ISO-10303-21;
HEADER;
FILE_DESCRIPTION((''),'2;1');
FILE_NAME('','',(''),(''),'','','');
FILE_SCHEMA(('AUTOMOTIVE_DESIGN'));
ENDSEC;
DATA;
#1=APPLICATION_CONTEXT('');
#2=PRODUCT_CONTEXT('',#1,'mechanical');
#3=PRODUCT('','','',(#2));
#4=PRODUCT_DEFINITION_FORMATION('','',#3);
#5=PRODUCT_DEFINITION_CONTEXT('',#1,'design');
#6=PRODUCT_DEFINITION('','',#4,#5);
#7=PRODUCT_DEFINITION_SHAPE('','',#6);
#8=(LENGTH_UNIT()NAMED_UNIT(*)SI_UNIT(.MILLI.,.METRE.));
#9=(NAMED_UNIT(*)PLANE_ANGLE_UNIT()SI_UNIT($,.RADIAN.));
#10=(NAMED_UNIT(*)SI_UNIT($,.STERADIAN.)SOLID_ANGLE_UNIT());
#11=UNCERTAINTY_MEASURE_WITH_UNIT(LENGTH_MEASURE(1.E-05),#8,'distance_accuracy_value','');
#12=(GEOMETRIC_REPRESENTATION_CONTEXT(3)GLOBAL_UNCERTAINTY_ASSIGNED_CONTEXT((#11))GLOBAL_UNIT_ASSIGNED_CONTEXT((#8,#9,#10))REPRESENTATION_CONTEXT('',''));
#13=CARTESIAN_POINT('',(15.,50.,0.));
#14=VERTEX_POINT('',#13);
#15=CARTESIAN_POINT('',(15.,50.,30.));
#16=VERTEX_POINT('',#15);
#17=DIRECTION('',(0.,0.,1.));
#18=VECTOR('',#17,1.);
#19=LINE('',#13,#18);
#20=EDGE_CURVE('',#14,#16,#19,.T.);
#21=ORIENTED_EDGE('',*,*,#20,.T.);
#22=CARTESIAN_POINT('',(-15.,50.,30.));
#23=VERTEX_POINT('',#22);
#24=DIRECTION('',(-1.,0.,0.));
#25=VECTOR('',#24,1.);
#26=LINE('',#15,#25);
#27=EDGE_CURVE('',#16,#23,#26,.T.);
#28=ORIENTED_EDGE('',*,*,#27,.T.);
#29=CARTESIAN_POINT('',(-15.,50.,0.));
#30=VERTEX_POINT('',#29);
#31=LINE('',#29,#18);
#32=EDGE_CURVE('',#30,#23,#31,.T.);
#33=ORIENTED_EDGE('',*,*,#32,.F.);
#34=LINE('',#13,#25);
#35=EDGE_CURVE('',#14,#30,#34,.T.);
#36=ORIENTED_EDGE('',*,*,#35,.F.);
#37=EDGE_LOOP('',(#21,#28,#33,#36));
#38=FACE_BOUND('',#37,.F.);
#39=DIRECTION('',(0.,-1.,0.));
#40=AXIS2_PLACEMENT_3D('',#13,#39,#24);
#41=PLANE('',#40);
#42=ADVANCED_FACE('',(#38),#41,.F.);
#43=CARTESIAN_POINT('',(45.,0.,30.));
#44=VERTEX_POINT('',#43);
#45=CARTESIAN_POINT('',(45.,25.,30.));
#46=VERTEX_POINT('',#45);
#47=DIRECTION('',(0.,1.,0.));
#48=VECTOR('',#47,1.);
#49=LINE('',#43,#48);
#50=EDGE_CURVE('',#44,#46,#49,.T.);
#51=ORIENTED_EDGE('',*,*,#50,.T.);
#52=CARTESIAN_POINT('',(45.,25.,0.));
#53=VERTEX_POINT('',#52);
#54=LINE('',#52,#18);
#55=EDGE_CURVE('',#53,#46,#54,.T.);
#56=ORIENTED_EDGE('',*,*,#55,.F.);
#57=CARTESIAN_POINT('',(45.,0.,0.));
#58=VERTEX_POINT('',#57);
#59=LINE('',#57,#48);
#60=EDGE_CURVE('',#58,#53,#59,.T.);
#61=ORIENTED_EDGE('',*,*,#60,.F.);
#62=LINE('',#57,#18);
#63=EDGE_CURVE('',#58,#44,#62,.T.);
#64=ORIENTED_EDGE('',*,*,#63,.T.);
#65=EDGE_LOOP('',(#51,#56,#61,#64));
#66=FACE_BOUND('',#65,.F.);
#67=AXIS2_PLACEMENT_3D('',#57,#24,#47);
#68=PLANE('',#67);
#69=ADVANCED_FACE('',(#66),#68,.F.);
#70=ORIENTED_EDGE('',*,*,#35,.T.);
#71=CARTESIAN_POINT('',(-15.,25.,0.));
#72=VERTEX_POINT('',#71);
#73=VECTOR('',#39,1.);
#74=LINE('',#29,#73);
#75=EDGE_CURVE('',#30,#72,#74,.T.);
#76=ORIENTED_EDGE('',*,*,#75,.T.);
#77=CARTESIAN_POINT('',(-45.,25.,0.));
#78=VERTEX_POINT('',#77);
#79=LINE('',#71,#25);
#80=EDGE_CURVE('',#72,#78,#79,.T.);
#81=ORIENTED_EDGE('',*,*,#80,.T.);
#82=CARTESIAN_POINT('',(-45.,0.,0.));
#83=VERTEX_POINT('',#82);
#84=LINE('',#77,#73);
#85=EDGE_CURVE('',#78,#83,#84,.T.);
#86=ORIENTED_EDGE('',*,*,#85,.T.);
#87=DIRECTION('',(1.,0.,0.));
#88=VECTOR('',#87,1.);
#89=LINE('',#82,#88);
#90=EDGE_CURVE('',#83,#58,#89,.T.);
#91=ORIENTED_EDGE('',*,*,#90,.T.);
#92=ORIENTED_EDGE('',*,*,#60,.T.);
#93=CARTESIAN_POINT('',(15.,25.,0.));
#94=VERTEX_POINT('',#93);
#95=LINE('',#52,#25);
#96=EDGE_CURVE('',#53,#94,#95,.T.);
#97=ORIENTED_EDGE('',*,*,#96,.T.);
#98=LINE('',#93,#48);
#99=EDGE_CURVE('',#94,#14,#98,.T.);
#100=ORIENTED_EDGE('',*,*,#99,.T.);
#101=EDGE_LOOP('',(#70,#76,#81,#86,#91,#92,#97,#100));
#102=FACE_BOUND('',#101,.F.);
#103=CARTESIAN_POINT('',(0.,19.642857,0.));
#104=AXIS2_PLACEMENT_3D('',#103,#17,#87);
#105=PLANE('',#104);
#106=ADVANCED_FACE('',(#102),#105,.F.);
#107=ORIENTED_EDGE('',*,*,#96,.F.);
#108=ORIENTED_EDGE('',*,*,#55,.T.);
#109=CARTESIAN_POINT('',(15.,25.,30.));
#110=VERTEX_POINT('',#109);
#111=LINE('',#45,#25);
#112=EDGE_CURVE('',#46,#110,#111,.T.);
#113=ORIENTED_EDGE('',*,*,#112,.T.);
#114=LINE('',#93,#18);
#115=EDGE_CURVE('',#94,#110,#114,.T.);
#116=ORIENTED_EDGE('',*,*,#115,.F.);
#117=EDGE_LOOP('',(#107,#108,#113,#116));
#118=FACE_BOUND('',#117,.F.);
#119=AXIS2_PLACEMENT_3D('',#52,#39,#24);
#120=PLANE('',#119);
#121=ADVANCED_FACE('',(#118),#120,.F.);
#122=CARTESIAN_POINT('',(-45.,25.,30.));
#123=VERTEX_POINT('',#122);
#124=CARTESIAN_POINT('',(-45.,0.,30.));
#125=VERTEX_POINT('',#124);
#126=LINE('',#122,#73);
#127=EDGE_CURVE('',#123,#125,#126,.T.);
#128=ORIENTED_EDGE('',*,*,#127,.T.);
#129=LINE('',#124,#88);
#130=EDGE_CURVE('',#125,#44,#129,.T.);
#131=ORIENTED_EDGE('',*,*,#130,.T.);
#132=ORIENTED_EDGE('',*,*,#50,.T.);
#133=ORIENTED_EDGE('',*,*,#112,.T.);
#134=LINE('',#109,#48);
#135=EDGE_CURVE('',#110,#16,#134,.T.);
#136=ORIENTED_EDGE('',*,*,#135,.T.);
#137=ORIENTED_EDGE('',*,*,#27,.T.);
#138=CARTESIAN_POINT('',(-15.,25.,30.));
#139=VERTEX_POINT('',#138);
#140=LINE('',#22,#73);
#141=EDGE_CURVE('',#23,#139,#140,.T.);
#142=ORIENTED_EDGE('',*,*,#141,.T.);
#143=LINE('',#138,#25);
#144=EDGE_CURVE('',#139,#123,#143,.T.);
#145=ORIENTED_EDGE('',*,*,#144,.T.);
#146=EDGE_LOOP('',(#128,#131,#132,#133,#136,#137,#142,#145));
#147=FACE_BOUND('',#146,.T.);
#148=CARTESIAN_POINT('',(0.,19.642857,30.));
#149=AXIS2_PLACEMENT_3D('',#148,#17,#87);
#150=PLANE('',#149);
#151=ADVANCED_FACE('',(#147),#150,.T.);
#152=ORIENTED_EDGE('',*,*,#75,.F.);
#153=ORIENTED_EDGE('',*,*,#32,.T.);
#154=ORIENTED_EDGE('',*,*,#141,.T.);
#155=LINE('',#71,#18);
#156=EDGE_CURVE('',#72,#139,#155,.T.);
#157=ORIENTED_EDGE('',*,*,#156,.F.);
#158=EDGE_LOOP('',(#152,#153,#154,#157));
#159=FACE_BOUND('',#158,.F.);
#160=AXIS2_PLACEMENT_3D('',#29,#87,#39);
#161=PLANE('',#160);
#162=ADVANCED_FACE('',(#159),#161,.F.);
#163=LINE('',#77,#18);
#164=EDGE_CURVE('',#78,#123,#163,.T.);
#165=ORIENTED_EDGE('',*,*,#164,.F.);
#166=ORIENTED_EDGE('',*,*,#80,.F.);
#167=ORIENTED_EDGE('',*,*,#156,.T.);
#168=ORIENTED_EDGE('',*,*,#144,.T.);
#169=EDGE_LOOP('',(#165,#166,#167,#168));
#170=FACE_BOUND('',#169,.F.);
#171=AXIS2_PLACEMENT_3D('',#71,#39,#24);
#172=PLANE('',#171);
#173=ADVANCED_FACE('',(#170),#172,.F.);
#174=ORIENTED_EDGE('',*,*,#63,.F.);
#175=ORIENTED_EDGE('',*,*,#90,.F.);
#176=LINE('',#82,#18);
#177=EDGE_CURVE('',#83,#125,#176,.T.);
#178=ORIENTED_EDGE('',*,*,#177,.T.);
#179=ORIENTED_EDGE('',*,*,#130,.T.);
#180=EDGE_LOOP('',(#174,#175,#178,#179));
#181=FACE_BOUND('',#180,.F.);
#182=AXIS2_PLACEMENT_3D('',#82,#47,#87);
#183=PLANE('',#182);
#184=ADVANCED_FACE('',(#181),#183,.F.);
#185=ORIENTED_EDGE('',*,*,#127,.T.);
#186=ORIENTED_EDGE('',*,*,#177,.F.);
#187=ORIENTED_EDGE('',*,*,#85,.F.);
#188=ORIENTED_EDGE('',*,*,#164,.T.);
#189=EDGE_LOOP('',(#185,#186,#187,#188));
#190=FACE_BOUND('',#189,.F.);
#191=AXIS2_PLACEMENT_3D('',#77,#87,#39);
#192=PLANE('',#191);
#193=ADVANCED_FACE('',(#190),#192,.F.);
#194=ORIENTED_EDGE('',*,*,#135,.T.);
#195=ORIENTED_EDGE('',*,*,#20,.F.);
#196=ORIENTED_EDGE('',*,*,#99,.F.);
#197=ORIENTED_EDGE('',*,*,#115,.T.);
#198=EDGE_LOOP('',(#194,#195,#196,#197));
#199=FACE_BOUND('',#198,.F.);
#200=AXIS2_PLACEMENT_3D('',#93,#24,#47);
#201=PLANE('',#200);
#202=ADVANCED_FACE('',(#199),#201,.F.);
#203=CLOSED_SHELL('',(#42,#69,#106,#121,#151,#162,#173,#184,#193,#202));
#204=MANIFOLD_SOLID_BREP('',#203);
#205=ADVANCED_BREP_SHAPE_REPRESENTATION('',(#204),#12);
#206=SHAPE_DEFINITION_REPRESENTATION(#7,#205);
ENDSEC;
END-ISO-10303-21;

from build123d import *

# Parameters (mm, degrees)
BOSS_EXTRUDE1_DEPTH = 30


with BuildPart() as part:
    # Sketch2 → Boss-Extrude1 (new body)
    with BuildSketch(Plane.XY):
        Polygon((-45, 0), (45, 0), (45, 25), (15, 25), (15, 50), (-15, 50), (-15, 25), (-45, 25), align=None)
    extrude(amount=BOSS_EXTRUDE1_DEPTH)


solid = part.part
